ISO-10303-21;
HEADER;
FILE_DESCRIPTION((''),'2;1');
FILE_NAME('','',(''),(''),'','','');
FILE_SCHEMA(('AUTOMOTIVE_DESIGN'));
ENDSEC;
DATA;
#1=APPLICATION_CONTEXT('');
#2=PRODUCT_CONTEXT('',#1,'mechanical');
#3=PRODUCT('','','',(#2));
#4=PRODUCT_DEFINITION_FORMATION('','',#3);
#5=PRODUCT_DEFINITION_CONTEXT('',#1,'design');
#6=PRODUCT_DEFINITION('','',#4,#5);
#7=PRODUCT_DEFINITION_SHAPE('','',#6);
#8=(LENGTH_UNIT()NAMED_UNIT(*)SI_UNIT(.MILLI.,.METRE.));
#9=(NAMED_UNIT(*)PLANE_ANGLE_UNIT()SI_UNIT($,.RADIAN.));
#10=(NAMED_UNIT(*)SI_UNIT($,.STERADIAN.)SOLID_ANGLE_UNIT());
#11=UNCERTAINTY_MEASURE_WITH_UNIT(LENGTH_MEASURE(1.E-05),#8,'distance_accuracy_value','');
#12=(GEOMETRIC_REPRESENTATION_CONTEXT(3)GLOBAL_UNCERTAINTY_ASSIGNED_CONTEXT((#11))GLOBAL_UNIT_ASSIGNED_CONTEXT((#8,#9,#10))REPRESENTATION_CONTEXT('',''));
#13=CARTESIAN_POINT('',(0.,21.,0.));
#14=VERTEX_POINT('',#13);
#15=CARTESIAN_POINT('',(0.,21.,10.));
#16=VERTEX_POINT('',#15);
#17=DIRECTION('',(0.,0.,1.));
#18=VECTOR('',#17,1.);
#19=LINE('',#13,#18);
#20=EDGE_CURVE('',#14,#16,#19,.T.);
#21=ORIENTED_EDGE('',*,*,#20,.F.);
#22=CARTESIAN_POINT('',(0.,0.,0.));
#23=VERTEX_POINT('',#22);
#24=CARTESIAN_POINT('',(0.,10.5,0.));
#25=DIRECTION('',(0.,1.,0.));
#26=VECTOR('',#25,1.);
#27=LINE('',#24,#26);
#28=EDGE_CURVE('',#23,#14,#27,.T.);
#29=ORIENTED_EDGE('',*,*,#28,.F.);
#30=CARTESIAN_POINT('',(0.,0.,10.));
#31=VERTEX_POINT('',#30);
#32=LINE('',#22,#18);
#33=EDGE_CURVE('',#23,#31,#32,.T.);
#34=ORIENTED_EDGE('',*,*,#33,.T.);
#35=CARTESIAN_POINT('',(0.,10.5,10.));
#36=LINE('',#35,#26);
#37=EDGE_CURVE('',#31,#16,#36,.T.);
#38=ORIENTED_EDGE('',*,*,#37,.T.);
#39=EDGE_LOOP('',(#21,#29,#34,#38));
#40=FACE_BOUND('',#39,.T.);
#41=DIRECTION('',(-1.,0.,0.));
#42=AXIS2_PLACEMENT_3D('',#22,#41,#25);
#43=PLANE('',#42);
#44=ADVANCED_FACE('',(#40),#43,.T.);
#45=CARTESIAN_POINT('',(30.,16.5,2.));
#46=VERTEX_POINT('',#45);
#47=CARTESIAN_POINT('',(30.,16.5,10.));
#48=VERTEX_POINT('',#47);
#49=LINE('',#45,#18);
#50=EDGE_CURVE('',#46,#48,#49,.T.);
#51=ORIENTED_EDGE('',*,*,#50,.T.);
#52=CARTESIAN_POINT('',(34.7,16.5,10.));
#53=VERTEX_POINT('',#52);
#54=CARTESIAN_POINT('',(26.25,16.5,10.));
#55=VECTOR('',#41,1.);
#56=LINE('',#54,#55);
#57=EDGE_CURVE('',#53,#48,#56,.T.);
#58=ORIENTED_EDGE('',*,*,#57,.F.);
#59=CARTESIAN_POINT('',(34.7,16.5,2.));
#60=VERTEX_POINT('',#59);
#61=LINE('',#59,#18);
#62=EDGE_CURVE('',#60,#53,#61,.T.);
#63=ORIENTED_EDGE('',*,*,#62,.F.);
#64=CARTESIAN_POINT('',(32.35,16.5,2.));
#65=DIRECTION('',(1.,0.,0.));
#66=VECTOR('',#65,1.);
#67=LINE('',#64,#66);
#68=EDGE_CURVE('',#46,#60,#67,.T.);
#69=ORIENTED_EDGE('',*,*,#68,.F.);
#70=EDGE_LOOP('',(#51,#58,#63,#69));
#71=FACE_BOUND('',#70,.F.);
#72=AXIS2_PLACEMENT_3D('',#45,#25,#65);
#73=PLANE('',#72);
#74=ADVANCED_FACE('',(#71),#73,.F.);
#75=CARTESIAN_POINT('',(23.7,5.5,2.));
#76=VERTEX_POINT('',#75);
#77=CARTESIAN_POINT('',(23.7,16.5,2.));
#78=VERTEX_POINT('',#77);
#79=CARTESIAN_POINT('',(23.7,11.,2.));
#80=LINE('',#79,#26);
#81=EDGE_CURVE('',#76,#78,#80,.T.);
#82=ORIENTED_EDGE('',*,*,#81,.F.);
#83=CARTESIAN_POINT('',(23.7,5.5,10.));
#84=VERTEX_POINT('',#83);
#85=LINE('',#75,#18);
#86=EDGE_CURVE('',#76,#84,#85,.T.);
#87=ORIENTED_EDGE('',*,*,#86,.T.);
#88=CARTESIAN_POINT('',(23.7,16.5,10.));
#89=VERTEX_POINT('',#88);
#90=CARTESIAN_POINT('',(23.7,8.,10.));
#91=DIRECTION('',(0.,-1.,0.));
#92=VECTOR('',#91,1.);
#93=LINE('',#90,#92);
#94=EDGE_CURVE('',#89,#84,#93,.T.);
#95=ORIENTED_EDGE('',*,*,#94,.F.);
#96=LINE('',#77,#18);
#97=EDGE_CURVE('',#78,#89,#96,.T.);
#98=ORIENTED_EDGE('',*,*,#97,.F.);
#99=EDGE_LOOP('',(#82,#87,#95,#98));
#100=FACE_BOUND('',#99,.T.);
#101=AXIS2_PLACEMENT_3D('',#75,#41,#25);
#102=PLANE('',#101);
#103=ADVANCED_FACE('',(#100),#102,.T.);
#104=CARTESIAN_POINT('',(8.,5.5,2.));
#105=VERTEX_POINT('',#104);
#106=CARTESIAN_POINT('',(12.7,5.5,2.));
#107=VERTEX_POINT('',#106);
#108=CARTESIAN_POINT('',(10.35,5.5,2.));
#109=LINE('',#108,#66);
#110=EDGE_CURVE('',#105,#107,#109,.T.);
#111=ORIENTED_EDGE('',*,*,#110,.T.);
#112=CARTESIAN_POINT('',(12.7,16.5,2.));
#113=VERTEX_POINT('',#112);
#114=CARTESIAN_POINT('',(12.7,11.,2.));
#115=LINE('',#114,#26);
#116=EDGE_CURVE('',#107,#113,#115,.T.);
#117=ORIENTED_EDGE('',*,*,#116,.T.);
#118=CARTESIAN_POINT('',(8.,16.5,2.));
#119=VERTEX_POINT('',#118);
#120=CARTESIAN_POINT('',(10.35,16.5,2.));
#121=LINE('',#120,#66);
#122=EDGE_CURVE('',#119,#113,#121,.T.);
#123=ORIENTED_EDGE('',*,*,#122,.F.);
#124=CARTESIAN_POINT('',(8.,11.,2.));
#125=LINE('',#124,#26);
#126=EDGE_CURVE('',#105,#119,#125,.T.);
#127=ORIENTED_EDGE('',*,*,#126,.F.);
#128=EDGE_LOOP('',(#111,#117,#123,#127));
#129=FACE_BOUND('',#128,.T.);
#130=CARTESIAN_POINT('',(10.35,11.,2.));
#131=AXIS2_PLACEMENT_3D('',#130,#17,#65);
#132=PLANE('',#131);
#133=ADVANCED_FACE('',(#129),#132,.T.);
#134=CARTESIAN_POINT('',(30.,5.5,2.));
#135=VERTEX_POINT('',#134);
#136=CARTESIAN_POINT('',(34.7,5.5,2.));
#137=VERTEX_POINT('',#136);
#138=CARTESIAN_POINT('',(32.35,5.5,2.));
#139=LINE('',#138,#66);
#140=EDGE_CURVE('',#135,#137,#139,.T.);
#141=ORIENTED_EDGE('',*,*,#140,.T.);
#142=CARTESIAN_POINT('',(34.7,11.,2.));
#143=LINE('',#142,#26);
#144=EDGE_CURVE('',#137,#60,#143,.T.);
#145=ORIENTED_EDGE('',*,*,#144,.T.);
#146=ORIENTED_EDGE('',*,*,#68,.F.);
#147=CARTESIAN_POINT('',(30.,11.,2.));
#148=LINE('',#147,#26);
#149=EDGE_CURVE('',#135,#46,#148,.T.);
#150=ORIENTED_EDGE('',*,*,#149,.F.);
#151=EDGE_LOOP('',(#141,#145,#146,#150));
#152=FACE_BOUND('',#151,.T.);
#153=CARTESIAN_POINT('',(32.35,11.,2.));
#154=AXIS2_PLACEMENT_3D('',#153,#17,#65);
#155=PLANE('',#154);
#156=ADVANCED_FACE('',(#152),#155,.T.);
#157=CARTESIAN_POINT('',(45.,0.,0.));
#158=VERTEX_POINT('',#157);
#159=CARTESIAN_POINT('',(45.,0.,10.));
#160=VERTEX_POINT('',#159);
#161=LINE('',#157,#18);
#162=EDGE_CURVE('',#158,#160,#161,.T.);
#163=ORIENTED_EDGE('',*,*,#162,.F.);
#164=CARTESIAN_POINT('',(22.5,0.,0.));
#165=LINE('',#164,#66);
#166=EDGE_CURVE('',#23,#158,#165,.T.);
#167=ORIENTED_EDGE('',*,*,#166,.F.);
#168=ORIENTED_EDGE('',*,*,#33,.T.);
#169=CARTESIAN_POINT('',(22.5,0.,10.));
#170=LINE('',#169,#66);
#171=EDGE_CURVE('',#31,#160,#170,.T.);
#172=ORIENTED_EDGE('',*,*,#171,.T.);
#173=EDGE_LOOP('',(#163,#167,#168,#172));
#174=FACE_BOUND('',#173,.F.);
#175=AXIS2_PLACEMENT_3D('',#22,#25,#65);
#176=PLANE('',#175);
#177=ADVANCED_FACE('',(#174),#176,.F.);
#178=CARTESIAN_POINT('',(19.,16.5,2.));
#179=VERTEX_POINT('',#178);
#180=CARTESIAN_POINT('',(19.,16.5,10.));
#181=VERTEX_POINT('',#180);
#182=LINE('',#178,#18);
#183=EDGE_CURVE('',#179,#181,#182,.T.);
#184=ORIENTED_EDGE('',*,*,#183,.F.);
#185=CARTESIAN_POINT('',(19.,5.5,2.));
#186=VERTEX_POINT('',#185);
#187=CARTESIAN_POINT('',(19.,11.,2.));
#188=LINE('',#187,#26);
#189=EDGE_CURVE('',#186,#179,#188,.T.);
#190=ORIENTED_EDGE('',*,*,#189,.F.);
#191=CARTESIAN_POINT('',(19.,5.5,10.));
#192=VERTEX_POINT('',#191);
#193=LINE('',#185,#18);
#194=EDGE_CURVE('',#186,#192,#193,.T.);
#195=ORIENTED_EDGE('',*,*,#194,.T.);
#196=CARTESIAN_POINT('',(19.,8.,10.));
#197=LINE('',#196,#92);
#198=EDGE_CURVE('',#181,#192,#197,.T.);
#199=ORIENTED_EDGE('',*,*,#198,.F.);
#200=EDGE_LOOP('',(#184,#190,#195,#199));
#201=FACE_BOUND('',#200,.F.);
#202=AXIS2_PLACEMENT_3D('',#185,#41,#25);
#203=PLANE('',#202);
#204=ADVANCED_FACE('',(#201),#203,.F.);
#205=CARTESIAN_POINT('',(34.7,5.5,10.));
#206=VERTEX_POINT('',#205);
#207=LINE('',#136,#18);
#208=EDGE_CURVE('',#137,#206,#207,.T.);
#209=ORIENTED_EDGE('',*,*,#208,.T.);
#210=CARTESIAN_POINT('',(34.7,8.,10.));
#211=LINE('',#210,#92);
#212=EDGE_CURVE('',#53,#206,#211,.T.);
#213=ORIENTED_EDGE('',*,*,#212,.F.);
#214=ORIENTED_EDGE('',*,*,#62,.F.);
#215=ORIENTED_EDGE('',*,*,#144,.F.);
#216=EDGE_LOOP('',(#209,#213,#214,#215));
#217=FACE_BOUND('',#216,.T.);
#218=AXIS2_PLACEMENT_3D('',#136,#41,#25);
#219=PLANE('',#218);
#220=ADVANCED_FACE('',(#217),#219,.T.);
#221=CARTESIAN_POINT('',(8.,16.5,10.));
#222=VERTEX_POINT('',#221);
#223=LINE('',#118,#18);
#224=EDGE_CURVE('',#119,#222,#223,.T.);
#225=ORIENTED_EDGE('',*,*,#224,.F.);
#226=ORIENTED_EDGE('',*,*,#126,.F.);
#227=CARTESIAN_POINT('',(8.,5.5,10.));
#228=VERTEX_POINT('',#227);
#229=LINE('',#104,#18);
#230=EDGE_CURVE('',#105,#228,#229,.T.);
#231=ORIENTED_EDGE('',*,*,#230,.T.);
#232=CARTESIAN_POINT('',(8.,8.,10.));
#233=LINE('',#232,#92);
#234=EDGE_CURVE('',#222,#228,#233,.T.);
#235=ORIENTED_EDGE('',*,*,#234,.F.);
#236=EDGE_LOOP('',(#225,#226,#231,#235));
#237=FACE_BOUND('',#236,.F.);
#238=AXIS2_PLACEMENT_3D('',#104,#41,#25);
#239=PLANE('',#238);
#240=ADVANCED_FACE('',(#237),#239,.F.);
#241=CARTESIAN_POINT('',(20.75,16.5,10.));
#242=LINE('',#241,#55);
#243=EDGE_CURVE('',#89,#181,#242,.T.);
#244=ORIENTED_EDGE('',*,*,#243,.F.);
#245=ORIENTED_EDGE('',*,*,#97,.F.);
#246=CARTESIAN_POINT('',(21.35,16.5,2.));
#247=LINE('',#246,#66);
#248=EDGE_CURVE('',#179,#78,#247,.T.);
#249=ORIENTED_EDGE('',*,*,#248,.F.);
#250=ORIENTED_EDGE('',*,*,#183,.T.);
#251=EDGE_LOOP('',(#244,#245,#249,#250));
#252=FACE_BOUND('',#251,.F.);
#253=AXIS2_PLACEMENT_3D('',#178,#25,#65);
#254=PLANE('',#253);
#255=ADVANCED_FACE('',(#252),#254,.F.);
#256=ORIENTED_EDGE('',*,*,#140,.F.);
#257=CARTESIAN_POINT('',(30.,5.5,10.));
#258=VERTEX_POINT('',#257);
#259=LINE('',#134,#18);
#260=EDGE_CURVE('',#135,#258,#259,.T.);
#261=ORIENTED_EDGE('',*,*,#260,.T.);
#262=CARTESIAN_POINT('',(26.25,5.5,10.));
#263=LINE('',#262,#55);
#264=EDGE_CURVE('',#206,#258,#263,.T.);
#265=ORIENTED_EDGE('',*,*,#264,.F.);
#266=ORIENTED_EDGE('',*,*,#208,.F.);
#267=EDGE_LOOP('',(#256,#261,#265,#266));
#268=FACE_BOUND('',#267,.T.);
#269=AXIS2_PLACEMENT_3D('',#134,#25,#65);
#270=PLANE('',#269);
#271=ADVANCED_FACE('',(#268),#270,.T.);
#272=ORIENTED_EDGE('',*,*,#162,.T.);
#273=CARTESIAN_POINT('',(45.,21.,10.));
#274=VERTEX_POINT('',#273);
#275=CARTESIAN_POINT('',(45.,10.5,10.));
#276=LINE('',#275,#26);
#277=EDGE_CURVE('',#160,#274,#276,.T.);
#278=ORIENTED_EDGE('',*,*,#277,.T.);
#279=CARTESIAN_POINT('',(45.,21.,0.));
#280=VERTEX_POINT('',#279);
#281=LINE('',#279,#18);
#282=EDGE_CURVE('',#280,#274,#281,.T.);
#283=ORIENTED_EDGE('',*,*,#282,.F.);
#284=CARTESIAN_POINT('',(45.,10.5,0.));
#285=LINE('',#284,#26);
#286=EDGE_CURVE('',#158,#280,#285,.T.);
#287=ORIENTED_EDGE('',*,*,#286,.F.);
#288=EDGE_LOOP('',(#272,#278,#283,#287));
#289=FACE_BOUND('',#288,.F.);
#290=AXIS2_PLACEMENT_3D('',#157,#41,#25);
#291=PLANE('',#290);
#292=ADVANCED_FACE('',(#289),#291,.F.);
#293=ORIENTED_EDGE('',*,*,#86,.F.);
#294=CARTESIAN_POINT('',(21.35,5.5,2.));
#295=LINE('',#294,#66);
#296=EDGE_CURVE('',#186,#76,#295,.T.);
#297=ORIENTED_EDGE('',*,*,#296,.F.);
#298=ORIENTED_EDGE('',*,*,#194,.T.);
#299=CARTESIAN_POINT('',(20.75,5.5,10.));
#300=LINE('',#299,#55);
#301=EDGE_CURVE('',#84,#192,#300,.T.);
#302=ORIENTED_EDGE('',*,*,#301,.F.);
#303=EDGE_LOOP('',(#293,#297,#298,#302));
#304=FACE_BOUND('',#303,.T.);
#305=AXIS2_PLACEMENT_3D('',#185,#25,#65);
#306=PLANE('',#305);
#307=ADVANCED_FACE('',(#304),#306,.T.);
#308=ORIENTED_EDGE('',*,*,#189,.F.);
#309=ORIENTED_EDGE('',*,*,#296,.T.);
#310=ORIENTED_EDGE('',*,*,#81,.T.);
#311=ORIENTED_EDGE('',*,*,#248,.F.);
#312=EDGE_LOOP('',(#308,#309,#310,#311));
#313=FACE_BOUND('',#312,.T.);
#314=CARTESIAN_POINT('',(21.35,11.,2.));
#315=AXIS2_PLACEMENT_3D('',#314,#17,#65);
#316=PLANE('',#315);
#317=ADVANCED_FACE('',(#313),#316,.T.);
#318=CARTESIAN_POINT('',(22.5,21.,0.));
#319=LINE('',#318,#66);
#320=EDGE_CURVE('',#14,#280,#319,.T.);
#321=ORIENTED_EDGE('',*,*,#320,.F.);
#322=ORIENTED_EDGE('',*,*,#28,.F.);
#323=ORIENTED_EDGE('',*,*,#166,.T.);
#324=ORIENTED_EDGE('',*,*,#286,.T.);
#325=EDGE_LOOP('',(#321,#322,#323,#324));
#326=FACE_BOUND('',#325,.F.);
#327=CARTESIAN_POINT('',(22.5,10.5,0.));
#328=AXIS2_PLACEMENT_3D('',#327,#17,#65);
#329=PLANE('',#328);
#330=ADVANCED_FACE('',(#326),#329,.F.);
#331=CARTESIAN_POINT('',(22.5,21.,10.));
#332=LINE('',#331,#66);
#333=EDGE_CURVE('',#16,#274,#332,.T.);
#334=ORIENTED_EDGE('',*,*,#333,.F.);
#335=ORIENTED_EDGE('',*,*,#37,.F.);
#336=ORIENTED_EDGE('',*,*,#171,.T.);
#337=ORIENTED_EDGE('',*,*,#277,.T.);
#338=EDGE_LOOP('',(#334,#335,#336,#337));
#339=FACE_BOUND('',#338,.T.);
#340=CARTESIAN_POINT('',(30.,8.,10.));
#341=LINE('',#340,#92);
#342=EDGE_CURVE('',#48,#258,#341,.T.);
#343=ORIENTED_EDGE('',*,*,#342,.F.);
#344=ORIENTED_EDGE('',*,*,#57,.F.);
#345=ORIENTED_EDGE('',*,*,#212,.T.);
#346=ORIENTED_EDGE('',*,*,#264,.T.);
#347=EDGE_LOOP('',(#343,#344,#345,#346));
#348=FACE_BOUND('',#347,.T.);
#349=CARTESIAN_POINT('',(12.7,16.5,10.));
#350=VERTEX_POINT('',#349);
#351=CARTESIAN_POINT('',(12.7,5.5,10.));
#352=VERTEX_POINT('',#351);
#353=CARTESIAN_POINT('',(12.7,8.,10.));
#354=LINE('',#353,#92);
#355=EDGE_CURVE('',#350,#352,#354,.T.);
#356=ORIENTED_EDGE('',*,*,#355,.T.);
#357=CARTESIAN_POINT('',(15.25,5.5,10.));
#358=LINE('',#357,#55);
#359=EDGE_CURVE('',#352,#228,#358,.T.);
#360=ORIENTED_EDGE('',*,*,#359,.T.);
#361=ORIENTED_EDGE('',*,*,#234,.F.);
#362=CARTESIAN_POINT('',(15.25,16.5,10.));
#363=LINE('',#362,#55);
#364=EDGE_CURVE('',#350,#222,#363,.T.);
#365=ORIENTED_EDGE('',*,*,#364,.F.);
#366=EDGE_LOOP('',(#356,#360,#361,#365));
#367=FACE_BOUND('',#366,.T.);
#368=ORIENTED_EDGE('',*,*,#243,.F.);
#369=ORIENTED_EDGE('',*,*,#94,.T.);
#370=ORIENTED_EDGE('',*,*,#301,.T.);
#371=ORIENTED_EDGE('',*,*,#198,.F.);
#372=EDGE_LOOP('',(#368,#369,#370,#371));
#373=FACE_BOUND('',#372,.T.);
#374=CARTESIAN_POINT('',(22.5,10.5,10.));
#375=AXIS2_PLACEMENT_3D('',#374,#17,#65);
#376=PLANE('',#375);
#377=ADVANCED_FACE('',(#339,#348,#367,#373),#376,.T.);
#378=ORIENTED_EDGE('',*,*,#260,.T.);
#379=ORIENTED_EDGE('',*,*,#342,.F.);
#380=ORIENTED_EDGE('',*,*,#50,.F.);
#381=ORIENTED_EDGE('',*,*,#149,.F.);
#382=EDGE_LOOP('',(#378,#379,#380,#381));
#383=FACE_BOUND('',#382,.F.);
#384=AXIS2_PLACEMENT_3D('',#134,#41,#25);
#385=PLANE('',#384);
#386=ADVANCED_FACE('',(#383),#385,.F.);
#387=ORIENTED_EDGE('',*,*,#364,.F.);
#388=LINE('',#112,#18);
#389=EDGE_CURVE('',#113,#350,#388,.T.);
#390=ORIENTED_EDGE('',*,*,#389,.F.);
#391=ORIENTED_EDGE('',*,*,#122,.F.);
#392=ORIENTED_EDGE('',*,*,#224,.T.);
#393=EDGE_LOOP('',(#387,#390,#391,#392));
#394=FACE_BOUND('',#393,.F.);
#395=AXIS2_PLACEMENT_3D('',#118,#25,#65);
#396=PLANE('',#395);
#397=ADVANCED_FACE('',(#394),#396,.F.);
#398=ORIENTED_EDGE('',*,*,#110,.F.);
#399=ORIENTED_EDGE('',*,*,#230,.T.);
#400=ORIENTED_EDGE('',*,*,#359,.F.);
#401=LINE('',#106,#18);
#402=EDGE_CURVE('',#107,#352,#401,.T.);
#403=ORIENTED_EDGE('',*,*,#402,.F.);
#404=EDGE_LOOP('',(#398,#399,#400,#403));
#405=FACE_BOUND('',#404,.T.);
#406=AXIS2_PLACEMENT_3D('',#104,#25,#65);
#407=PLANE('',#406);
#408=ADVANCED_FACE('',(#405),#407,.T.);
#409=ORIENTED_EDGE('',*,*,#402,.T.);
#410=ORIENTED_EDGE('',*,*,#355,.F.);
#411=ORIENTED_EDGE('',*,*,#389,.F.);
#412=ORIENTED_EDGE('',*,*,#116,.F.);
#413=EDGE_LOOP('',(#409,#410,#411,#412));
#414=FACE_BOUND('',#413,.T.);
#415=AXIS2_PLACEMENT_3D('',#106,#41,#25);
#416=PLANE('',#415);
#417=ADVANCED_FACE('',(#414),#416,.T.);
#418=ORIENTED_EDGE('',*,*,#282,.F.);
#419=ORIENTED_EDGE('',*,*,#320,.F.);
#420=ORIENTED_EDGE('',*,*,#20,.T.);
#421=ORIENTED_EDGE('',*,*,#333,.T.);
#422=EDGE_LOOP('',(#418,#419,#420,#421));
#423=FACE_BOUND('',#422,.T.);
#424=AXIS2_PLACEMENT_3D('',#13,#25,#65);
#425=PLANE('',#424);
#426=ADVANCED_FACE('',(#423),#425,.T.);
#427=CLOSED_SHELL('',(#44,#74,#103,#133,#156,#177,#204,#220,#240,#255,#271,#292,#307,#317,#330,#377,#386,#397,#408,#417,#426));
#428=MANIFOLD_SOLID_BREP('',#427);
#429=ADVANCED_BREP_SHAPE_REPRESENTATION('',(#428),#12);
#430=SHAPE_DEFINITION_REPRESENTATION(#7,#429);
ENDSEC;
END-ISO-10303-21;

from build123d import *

# Parameters (mm, degrees)
BOX002_W     = 4.7
BOX002_H     = 11
BOX002_DEPTH = 8.5
BOX003_W     = 4.7
BOX003_H     = 11
BOX003_DEPTH = 8.5
BOX001_W     = 4.7
BOX001_H     = 11
BOX001_DEPTH = 8.5
BOX_W        = 45
BOX_H        = 21
BOX_DEPTH    = 10


with BuildPart() as cub002:
    # Box002 → Box002 (new body)
    with BuildSketch(Plane(origin=(19, 5.5, 2), x_dir=(1, 0, 0), z_dir=(0, 0, 1))):
        with Locations((2.35, 5.5)):
            Rectangle(BOX002_W, BOX002_H)
    extrude(amount=BOX002_DEPTH)


with BuildPart() as cub003:
    # Box003 → Box003 (new body)
    with BuildSketch(Plane(origin=(30, 5.5, 2), x_dir=(1, 0, 0), z_dir=(0, 0, 1))):
        with Locations((2.35, 5.5)):
            Rectangle(BOX003_W, BOX003_H)
    extrude(amount=BOX003_DEPTH)


with BuildPart() as cub001:
    # Box001 → Box001 (new body)
    with BuildSketch(Plane(origin=(8, 5.5, 2), x_dir=(1, 0, 0), z_dir=(0, 0, 1))):
        with Locations((2.35, 5.5)):
            Rectangle(BOX001_W, BOX001_H)
    extrude(amount=BOX001_DEPTH)


with BuildPart() as cut002:
    # Box → Box (new body)
    with BuildSketch(Plane.XY):
        with Locations((22.5, 10.5)):
            Rectangle(BOX_W, BOX_H)
    extrude(amount=BOX_DEPTH)

    # Cut: cut Cub001
    add(cub001.part, mode=Mode.SUBTRACT)

    # Cut001: cut Cub003
    add(cub003.part, mode=Mode.SUBTRACT)

    # Cut002: cut Cub002
    add(cub002.part, mode=Mode.SUBTRACT)


solid = cut002.part
